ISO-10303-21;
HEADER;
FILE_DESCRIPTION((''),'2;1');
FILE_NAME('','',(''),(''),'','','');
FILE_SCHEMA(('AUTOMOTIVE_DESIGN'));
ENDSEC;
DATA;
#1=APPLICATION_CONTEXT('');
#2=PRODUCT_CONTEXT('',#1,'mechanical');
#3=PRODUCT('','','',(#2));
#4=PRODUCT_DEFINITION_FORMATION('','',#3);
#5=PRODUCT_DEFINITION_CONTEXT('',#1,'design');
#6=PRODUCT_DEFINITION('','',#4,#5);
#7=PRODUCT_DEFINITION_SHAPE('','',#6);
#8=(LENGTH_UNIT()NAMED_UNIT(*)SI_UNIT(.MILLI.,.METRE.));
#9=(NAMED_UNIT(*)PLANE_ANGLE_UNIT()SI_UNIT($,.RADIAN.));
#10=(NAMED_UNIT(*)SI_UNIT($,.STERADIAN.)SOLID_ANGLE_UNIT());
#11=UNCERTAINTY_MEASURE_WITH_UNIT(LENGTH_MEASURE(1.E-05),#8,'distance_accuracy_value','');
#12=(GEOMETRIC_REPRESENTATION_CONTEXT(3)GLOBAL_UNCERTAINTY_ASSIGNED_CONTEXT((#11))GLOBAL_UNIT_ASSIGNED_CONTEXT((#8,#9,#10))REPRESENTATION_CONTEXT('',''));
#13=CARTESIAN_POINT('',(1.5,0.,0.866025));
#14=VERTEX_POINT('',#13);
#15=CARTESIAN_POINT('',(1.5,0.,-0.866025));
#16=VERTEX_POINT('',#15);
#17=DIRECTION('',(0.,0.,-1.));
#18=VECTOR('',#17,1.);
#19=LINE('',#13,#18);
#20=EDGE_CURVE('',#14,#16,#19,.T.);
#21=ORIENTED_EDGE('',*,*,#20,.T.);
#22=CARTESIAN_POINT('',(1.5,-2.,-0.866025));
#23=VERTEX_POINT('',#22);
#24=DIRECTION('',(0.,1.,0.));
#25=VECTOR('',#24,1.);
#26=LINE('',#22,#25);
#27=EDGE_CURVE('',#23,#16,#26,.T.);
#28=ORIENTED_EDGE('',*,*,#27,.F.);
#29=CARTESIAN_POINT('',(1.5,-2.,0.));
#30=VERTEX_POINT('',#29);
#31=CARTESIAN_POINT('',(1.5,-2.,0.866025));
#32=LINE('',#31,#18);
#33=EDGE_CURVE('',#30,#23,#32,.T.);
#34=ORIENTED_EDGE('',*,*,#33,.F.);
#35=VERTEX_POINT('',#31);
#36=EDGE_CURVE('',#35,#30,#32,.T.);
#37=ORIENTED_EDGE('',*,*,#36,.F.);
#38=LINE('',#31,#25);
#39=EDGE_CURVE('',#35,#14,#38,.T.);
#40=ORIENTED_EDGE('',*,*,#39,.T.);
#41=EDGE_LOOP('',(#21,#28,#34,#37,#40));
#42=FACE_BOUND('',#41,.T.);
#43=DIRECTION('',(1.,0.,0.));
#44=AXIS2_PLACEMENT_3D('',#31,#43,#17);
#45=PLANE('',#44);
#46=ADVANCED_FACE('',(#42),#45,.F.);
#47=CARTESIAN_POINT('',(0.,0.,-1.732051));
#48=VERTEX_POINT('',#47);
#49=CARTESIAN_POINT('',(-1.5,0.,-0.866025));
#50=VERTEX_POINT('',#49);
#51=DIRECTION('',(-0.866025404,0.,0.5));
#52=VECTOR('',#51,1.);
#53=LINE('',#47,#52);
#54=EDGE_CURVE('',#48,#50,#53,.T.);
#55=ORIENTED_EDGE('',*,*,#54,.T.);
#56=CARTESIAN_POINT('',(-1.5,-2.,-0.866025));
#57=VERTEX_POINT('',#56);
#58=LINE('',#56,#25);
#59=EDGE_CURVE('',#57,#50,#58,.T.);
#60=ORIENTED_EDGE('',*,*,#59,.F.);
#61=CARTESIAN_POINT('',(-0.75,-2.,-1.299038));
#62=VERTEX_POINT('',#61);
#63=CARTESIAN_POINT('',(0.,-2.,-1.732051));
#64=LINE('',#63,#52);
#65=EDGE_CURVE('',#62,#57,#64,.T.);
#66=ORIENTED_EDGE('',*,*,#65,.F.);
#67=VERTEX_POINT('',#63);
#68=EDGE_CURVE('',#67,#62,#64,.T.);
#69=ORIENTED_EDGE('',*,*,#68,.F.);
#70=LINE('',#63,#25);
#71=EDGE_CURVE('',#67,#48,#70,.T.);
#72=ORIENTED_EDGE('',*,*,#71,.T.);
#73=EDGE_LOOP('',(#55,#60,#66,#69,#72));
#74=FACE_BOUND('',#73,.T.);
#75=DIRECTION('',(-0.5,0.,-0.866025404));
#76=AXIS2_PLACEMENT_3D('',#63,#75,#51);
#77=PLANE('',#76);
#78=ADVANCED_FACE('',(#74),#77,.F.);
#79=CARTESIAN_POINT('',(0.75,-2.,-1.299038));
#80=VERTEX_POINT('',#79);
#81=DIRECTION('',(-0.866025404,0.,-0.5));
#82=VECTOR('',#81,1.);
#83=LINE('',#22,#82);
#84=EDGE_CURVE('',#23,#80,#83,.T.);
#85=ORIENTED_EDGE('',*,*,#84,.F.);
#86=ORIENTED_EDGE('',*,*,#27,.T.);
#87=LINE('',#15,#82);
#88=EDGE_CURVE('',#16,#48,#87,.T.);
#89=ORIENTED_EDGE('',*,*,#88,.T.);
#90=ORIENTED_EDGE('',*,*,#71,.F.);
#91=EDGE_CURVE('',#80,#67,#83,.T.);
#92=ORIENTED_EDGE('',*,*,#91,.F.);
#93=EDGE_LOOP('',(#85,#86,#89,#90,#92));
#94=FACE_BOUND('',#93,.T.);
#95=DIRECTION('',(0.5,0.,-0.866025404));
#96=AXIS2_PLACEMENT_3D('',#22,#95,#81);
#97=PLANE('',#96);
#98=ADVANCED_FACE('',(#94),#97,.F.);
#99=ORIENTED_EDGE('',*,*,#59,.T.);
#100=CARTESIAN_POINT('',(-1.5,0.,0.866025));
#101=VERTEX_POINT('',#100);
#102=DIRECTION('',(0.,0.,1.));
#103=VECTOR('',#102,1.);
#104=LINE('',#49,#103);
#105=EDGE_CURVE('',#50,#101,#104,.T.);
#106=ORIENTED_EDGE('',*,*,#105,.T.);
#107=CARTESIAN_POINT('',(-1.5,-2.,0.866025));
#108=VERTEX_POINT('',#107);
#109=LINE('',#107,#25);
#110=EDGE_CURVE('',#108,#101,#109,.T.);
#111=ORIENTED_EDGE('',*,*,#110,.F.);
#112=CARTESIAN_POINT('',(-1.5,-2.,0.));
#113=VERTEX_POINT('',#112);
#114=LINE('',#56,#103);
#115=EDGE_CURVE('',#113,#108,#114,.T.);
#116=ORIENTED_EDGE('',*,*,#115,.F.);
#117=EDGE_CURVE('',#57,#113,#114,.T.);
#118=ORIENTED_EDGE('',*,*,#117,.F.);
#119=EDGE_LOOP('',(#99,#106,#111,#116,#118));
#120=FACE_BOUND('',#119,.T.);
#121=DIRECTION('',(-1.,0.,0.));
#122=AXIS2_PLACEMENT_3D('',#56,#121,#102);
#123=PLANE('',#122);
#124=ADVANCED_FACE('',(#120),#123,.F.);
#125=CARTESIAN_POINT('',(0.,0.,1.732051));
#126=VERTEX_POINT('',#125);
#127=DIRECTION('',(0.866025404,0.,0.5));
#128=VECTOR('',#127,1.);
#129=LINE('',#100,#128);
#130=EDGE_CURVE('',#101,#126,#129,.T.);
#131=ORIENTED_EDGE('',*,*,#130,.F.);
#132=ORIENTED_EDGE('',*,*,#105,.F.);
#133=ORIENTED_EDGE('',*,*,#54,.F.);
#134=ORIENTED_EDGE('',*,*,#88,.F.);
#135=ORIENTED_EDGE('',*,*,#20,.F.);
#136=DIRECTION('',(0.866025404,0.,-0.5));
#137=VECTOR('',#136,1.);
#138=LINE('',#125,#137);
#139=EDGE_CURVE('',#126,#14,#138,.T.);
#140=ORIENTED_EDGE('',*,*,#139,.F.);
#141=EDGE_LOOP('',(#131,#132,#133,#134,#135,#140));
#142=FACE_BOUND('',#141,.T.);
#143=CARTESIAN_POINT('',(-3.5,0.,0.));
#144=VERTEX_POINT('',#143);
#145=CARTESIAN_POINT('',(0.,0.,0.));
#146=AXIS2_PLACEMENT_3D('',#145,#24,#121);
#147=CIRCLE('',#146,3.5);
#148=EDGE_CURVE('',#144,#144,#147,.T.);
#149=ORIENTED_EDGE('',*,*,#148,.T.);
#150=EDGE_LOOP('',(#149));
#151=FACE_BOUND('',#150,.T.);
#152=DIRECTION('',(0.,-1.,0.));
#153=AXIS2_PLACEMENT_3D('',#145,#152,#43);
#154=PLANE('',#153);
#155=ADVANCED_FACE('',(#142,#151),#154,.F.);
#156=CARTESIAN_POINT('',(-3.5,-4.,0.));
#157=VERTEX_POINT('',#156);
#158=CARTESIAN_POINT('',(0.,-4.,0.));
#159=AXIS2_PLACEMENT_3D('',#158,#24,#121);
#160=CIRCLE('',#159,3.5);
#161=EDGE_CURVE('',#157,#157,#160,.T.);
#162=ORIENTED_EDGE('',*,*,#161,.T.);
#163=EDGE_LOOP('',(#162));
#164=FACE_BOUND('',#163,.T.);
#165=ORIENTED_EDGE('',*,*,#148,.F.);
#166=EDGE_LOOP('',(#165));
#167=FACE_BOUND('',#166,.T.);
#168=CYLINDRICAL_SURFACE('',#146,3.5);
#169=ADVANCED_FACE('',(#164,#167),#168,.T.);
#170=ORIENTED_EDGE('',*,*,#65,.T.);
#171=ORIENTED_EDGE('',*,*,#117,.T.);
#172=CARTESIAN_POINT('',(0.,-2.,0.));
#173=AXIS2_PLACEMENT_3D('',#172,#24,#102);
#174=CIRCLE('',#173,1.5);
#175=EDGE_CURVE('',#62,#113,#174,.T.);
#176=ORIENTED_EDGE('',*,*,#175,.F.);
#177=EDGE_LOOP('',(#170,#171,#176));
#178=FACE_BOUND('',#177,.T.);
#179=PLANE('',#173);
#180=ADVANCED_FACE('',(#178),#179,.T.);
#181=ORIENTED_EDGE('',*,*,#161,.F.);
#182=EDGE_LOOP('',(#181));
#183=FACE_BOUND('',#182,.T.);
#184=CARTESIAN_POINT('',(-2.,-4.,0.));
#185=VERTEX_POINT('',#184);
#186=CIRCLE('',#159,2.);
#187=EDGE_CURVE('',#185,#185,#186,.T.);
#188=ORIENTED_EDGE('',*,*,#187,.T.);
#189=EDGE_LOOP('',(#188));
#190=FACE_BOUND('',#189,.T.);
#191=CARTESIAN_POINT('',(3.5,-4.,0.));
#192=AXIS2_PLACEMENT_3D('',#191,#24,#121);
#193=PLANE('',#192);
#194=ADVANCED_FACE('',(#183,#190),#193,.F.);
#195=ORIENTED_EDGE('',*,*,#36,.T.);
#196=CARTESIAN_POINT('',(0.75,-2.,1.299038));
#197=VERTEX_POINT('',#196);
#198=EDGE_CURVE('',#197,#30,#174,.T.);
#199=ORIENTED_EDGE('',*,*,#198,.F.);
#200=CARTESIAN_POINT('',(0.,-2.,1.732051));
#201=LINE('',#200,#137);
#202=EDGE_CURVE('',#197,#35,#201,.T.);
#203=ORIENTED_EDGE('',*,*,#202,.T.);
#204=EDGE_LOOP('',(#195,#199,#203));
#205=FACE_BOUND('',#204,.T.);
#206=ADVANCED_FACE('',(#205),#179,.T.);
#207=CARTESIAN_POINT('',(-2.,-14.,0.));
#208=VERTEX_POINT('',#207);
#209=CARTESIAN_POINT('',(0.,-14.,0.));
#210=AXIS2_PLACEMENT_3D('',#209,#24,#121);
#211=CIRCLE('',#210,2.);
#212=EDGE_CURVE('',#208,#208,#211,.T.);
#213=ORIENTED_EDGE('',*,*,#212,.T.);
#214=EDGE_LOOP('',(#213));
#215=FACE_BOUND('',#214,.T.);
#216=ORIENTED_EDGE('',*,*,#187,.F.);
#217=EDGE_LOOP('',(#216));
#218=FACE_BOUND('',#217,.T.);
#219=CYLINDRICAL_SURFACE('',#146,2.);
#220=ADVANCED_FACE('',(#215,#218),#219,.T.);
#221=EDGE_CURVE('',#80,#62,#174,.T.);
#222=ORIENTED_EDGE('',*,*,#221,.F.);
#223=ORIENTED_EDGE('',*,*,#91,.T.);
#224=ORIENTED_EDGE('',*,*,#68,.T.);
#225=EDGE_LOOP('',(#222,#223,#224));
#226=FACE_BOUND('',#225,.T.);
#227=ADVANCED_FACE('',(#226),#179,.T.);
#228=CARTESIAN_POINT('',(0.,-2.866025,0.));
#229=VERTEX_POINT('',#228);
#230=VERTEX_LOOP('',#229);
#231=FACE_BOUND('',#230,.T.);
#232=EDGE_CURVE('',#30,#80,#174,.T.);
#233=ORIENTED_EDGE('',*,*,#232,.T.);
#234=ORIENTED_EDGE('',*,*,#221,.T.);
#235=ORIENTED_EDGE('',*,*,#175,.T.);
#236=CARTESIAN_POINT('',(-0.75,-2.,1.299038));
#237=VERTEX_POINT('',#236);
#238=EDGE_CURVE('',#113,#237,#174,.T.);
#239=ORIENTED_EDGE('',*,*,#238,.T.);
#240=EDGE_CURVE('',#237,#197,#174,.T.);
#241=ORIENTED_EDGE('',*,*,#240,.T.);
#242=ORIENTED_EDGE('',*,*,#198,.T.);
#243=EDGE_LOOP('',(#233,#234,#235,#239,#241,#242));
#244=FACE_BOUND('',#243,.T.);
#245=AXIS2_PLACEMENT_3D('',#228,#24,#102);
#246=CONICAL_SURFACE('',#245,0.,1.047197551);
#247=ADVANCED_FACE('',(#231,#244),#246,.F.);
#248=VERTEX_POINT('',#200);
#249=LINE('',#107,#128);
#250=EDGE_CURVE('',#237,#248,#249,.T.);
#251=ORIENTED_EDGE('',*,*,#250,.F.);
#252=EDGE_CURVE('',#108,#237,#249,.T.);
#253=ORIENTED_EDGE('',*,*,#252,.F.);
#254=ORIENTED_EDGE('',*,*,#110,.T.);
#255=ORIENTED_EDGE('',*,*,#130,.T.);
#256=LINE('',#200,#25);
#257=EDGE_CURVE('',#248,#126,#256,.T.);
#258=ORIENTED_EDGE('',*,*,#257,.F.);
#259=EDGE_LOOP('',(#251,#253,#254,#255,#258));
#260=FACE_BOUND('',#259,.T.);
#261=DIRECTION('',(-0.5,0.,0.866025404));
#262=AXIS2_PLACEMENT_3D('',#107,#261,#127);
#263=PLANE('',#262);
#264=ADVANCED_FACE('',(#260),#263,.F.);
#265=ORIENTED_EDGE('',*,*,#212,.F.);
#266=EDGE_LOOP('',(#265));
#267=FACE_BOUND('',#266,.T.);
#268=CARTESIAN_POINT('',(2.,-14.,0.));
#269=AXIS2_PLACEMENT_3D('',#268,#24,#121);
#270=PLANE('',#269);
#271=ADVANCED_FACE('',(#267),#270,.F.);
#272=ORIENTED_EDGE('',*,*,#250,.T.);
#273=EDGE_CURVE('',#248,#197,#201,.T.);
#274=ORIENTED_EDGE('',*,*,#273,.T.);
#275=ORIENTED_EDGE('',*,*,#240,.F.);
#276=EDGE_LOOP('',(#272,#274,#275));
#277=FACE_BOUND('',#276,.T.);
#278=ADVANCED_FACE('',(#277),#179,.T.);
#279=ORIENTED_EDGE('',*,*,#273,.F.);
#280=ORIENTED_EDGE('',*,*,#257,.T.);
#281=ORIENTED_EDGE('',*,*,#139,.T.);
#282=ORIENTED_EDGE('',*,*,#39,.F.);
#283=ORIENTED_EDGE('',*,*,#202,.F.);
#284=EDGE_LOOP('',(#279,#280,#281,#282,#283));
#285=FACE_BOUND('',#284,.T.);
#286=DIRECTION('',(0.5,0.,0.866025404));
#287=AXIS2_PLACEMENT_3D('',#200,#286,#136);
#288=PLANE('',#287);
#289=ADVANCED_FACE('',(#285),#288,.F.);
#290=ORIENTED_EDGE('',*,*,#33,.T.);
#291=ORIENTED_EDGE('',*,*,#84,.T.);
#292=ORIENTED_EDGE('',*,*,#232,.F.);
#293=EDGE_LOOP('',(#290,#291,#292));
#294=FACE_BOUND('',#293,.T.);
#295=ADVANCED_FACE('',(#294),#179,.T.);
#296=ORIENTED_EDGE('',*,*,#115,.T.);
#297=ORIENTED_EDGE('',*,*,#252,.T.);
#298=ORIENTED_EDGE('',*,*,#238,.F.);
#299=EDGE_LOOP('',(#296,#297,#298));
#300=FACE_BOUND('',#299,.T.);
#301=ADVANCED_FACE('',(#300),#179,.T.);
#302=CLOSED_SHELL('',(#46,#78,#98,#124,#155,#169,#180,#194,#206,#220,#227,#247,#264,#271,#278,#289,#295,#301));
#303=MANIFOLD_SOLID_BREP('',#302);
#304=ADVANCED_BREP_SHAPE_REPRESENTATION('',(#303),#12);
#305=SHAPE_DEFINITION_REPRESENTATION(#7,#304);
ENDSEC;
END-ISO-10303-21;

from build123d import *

# Parameters (mm, degrees)
CUT_EXTRUDE1_DEPTH = 2


with BuildPart() as part:
    # Sketch1 → Revolve1 (revolve)
    with BuildSketch(Plane.XY):
        Polygon((0, 0), (3.5, 0), (3.5, -4), (2, -4), (2, -14), (0, -14), align=None)
    revolve(axis=Axis((0, 0, 0), (0, -1, 0)))

    # Sketch2 → Cut-Revolve1 (revolve, cut)
    with BuildSketch(Plane.XY):
        Polygon((1.5, 0), (1.5, -2), (0, -2.866025404), (0, 0), align=None)
    revolve(axis=Axis((0, 0, 0), (0, -1, 0)), mode=Mode.SUBTRACT)

    # Sketch3 → Cut-Extrude1 (cut)
    with BuildSketch(Plane(origin=(0, 0, 0), x_dir=(1, 0, 0), z_dir=(0, 1, 0))):
        Polygon((0, 1.732050808), (-1.5, 0.866025404), (-1.5, -0.866025404), (0, -1.732050808), (1.5, -0.866025404), (1.5, 0.866025404), align=None)
    extrude(amount=-CUT_EXTRUDE1_DEPTH, mode=Mode.SUBTRACT)


solid = part.part
